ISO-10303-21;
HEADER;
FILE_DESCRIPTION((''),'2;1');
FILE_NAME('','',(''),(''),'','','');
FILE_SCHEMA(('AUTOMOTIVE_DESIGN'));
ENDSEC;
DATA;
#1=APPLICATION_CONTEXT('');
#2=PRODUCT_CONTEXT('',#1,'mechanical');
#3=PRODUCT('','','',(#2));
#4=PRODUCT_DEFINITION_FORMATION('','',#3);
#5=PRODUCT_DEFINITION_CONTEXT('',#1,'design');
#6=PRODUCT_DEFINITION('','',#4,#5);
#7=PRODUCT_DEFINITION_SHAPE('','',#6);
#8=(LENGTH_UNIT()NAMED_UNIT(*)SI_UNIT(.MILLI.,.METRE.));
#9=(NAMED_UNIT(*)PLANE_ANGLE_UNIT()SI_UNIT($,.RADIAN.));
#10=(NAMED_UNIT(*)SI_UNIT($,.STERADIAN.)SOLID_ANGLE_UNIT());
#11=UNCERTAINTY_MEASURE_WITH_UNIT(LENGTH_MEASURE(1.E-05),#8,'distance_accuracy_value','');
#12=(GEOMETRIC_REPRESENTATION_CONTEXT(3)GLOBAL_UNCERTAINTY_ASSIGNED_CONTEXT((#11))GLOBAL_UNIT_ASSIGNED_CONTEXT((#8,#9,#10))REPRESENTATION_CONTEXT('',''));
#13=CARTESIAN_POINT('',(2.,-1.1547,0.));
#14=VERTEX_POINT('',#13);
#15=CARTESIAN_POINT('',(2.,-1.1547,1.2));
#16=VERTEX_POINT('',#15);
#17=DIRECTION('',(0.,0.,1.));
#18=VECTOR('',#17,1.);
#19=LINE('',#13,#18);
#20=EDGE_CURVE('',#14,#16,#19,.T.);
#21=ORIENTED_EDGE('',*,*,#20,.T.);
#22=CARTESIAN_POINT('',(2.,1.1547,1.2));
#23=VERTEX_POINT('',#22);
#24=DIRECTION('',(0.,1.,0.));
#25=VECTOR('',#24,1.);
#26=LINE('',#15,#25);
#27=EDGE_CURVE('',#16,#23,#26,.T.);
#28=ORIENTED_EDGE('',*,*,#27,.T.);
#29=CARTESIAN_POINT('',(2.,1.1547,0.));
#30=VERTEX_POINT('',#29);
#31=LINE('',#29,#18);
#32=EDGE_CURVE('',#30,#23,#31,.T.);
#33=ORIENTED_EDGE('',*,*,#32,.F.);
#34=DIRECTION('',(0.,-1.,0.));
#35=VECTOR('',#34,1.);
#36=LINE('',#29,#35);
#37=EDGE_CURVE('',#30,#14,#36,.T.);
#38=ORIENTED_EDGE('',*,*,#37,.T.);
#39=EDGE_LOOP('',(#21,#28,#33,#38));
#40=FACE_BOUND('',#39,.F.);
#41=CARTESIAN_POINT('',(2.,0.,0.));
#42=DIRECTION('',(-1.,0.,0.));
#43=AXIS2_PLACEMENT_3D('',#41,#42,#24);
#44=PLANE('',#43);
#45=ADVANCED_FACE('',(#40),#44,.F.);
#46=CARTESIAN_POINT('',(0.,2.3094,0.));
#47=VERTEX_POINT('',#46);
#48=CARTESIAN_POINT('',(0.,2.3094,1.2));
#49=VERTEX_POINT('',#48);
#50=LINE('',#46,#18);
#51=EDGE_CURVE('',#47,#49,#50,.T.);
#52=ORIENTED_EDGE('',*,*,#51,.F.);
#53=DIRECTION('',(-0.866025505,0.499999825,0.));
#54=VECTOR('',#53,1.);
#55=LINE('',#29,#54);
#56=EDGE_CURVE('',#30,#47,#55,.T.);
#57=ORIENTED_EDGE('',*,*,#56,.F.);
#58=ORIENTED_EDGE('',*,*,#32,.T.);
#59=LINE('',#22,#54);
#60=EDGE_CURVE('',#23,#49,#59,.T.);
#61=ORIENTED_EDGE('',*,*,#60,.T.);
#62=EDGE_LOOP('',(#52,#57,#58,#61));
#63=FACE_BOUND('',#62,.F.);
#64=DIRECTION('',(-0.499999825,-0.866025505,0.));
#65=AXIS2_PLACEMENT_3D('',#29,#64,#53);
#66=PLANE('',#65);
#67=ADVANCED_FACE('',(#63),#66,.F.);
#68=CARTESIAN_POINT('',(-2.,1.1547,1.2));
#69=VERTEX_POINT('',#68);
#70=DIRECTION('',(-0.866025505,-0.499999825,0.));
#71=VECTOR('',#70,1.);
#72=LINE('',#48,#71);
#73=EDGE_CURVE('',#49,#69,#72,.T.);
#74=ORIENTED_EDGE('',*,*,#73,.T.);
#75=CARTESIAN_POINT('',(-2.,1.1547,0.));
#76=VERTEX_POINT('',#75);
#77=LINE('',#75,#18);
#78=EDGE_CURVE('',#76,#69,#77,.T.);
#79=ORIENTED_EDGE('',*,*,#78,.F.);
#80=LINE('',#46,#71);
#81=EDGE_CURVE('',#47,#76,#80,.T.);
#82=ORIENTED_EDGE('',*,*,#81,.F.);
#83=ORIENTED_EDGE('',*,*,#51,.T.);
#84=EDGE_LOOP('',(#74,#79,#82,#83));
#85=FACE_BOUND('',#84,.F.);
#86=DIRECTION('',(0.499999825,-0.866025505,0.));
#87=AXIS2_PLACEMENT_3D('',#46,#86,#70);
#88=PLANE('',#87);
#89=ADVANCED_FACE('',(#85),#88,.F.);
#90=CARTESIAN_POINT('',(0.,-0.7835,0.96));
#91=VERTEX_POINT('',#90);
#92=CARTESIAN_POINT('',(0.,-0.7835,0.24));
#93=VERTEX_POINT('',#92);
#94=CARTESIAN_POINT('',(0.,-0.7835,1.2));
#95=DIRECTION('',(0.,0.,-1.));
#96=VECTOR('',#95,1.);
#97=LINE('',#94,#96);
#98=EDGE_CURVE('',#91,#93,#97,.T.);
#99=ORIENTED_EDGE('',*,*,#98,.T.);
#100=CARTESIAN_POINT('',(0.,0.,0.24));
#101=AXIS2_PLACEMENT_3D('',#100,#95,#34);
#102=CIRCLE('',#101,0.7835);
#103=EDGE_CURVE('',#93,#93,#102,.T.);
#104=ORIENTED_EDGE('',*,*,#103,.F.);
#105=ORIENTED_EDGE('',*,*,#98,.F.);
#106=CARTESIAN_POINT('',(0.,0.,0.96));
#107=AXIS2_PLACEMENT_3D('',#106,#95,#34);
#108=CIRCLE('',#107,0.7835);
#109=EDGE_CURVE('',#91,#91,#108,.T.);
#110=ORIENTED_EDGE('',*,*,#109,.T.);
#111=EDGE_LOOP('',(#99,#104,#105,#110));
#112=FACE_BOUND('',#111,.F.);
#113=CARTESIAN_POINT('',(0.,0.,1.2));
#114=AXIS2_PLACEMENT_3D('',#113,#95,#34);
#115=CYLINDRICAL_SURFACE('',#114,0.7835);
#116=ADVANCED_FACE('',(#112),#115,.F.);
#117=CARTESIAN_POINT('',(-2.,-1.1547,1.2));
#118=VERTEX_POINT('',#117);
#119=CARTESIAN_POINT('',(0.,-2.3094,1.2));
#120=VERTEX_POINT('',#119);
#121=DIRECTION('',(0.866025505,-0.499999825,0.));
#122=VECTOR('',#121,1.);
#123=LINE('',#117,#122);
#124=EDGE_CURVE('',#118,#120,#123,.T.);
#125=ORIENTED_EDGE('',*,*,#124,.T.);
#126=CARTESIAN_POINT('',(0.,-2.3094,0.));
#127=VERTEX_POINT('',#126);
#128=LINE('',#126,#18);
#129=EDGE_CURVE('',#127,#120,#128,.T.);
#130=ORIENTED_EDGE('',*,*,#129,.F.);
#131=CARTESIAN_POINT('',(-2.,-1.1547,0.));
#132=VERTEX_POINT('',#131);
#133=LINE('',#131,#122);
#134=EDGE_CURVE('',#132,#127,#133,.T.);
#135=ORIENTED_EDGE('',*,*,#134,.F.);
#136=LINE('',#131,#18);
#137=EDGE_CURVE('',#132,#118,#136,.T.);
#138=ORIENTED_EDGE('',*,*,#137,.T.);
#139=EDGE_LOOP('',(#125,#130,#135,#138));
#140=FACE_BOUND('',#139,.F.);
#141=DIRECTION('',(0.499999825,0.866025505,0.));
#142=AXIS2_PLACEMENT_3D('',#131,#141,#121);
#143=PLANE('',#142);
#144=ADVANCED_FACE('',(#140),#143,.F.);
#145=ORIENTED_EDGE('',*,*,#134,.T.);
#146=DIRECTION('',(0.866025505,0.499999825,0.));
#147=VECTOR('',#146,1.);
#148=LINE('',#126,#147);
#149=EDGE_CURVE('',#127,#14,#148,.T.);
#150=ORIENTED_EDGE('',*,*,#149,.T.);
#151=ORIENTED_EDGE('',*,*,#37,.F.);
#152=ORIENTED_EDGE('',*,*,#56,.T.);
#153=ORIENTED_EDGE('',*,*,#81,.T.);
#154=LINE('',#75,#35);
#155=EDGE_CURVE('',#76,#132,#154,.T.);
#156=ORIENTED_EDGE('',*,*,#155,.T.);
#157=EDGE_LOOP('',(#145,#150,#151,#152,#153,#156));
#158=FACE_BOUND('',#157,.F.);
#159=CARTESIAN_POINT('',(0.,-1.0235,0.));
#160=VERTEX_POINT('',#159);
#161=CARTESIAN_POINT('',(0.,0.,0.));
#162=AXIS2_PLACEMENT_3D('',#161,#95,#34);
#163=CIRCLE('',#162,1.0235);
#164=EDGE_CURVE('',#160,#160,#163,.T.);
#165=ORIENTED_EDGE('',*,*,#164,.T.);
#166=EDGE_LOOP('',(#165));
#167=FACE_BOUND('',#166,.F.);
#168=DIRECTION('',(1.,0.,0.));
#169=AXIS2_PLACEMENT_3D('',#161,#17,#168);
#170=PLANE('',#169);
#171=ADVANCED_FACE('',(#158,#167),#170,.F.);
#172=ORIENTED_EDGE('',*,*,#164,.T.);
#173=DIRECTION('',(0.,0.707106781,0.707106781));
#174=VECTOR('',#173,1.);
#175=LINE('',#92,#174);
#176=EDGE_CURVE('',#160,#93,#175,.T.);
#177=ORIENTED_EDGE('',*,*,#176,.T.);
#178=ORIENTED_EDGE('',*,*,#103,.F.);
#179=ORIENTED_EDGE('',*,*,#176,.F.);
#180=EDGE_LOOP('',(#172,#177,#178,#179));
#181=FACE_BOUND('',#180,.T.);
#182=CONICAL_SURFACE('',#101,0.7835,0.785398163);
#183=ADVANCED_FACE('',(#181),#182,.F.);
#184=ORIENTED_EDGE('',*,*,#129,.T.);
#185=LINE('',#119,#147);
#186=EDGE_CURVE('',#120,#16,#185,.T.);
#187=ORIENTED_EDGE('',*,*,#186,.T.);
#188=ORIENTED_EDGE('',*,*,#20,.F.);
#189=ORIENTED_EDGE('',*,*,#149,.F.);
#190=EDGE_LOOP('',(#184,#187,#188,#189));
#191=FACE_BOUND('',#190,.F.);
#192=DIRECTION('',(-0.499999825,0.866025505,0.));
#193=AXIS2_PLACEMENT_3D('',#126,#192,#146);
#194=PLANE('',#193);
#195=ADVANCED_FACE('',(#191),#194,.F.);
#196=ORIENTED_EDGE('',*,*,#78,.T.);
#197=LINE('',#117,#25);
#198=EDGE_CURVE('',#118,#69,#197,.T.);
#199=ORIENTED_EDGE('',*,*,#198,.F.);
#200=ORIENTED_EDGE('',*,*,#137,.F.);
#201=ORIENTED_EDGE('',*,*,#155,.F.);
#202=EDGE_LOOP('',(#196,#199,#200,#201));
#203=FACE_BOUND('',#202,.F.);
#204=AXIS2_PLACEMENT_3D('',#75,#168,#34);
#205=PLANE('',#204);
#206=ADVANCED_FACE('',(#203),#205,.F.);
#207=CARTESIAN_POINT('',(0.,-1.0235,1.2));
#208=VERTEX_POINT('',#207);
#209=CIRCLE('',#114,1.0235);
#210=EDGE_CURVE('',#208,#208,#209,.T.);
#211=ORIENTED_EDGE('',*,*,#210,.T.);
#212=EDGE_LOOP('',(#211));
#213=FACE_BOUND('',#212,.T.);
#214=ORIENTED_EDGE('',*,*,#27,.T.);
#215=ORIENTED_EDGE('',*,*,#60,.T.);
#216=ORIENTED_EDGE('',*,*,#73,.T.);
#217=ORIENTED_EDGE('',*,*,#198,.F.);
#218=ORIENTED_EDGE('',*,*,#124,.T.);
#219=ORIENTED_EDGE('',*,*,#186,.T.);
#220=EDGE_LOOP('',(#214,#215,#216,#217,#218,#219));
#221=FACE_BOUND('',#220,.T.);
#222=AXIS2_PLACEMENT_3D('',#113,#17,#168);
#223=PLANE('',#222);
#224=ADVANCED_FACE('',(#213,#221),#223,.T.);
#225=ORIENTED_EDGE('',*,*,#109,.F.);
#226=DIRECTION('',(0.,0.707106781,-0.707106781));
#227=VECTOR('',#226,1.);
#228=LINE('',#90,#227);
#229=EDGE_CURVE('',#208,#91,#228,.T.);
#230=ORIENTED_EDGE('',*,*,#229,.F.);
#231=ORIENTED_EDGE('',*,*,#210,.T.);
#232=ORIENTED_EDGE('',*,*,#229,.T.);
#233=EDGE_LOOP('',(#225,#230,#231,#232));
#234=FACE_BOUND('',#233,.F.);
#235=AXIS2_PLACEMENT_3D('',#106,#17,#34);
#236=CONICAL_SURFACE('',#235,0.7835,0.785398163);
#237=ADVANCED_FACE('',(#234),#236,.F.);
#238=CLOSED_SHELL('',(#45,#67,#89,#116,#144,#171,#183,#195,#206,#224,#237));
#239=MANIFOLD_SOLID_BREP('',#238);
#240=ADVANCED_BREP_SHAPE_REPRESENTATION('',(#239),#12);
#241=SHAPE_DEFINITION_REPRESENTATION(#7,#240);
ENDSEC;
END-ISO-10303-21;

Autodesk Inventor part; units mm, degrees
sketch "Sketch1" plane through (0, 0, 0) normal (0, 0, 1) x (1, 0, 0)
  circle A0 centre (0, 0) radius 2 construction
  line L0 (-2, 1.1547) -> (-2, -1.1547)
  line L1 (-2, -1.1547) -> (0, -2.3094)
  line L2 (0, -2.3094) -> (2, -1.1547)
  line L3 (2, -1.1547) -> (2, 1.1547)
  line L4 (2, 1.1547) -> (0, 2.3094)
  line L5 (0, 2.3094) -> (-2, 1.1547)
  line L6 (0, 3.2332) -> (0, -3.2332) projected
  line L7 (-2.8, 0) -> (2.8, 0) projected
  point P0 (0, 0)
  dimension "ParS" = 4
extrude "Extrusion1" add sketch "Sketch1" along normal blind 1.2
sketch "Sketch2" plane through (0, 0, 1.2) normal (0, 0, 1) x (1, 0, 0)
  point P0 (0, 0)
  point P1 (0, 0)
hole "Hole1" at (0, 0, 1.2) direction (0, 0, -1) diameter 1.567 end through all thread size "M2x0.4" class "6H" standard "ISO Metric profile"
ref_plane "MSC_PT1" through (0, 0, 1.2) normal (0, 0, 1) x (1, 0, 0)
ref_plane "MSC_PT2" through (0, 0, 0) normal (0, 0, -1) x (-1, 0, 0)
ref_plane "MSC_PF1" through (0, 0, 0) normal (1, 0, 0) x (0, 1, 0)
chamfer "Chamfer1" distance 0.24 angle 45 2 edges at (0, 0.7835, 1.2) (0, 0.7835, 0)
equation "\"d17\" = 0.6 * PTC"
equation "\"d18\" = 0.6 * PTC"
equation "\"d4\" = M"
equation "\"PTC\" = 0.4"
equation "\"NND\" = 2"
equation "\"THREADDIA\" = NND"
properties part number "ISO 4036 - M2" material "Steel"
